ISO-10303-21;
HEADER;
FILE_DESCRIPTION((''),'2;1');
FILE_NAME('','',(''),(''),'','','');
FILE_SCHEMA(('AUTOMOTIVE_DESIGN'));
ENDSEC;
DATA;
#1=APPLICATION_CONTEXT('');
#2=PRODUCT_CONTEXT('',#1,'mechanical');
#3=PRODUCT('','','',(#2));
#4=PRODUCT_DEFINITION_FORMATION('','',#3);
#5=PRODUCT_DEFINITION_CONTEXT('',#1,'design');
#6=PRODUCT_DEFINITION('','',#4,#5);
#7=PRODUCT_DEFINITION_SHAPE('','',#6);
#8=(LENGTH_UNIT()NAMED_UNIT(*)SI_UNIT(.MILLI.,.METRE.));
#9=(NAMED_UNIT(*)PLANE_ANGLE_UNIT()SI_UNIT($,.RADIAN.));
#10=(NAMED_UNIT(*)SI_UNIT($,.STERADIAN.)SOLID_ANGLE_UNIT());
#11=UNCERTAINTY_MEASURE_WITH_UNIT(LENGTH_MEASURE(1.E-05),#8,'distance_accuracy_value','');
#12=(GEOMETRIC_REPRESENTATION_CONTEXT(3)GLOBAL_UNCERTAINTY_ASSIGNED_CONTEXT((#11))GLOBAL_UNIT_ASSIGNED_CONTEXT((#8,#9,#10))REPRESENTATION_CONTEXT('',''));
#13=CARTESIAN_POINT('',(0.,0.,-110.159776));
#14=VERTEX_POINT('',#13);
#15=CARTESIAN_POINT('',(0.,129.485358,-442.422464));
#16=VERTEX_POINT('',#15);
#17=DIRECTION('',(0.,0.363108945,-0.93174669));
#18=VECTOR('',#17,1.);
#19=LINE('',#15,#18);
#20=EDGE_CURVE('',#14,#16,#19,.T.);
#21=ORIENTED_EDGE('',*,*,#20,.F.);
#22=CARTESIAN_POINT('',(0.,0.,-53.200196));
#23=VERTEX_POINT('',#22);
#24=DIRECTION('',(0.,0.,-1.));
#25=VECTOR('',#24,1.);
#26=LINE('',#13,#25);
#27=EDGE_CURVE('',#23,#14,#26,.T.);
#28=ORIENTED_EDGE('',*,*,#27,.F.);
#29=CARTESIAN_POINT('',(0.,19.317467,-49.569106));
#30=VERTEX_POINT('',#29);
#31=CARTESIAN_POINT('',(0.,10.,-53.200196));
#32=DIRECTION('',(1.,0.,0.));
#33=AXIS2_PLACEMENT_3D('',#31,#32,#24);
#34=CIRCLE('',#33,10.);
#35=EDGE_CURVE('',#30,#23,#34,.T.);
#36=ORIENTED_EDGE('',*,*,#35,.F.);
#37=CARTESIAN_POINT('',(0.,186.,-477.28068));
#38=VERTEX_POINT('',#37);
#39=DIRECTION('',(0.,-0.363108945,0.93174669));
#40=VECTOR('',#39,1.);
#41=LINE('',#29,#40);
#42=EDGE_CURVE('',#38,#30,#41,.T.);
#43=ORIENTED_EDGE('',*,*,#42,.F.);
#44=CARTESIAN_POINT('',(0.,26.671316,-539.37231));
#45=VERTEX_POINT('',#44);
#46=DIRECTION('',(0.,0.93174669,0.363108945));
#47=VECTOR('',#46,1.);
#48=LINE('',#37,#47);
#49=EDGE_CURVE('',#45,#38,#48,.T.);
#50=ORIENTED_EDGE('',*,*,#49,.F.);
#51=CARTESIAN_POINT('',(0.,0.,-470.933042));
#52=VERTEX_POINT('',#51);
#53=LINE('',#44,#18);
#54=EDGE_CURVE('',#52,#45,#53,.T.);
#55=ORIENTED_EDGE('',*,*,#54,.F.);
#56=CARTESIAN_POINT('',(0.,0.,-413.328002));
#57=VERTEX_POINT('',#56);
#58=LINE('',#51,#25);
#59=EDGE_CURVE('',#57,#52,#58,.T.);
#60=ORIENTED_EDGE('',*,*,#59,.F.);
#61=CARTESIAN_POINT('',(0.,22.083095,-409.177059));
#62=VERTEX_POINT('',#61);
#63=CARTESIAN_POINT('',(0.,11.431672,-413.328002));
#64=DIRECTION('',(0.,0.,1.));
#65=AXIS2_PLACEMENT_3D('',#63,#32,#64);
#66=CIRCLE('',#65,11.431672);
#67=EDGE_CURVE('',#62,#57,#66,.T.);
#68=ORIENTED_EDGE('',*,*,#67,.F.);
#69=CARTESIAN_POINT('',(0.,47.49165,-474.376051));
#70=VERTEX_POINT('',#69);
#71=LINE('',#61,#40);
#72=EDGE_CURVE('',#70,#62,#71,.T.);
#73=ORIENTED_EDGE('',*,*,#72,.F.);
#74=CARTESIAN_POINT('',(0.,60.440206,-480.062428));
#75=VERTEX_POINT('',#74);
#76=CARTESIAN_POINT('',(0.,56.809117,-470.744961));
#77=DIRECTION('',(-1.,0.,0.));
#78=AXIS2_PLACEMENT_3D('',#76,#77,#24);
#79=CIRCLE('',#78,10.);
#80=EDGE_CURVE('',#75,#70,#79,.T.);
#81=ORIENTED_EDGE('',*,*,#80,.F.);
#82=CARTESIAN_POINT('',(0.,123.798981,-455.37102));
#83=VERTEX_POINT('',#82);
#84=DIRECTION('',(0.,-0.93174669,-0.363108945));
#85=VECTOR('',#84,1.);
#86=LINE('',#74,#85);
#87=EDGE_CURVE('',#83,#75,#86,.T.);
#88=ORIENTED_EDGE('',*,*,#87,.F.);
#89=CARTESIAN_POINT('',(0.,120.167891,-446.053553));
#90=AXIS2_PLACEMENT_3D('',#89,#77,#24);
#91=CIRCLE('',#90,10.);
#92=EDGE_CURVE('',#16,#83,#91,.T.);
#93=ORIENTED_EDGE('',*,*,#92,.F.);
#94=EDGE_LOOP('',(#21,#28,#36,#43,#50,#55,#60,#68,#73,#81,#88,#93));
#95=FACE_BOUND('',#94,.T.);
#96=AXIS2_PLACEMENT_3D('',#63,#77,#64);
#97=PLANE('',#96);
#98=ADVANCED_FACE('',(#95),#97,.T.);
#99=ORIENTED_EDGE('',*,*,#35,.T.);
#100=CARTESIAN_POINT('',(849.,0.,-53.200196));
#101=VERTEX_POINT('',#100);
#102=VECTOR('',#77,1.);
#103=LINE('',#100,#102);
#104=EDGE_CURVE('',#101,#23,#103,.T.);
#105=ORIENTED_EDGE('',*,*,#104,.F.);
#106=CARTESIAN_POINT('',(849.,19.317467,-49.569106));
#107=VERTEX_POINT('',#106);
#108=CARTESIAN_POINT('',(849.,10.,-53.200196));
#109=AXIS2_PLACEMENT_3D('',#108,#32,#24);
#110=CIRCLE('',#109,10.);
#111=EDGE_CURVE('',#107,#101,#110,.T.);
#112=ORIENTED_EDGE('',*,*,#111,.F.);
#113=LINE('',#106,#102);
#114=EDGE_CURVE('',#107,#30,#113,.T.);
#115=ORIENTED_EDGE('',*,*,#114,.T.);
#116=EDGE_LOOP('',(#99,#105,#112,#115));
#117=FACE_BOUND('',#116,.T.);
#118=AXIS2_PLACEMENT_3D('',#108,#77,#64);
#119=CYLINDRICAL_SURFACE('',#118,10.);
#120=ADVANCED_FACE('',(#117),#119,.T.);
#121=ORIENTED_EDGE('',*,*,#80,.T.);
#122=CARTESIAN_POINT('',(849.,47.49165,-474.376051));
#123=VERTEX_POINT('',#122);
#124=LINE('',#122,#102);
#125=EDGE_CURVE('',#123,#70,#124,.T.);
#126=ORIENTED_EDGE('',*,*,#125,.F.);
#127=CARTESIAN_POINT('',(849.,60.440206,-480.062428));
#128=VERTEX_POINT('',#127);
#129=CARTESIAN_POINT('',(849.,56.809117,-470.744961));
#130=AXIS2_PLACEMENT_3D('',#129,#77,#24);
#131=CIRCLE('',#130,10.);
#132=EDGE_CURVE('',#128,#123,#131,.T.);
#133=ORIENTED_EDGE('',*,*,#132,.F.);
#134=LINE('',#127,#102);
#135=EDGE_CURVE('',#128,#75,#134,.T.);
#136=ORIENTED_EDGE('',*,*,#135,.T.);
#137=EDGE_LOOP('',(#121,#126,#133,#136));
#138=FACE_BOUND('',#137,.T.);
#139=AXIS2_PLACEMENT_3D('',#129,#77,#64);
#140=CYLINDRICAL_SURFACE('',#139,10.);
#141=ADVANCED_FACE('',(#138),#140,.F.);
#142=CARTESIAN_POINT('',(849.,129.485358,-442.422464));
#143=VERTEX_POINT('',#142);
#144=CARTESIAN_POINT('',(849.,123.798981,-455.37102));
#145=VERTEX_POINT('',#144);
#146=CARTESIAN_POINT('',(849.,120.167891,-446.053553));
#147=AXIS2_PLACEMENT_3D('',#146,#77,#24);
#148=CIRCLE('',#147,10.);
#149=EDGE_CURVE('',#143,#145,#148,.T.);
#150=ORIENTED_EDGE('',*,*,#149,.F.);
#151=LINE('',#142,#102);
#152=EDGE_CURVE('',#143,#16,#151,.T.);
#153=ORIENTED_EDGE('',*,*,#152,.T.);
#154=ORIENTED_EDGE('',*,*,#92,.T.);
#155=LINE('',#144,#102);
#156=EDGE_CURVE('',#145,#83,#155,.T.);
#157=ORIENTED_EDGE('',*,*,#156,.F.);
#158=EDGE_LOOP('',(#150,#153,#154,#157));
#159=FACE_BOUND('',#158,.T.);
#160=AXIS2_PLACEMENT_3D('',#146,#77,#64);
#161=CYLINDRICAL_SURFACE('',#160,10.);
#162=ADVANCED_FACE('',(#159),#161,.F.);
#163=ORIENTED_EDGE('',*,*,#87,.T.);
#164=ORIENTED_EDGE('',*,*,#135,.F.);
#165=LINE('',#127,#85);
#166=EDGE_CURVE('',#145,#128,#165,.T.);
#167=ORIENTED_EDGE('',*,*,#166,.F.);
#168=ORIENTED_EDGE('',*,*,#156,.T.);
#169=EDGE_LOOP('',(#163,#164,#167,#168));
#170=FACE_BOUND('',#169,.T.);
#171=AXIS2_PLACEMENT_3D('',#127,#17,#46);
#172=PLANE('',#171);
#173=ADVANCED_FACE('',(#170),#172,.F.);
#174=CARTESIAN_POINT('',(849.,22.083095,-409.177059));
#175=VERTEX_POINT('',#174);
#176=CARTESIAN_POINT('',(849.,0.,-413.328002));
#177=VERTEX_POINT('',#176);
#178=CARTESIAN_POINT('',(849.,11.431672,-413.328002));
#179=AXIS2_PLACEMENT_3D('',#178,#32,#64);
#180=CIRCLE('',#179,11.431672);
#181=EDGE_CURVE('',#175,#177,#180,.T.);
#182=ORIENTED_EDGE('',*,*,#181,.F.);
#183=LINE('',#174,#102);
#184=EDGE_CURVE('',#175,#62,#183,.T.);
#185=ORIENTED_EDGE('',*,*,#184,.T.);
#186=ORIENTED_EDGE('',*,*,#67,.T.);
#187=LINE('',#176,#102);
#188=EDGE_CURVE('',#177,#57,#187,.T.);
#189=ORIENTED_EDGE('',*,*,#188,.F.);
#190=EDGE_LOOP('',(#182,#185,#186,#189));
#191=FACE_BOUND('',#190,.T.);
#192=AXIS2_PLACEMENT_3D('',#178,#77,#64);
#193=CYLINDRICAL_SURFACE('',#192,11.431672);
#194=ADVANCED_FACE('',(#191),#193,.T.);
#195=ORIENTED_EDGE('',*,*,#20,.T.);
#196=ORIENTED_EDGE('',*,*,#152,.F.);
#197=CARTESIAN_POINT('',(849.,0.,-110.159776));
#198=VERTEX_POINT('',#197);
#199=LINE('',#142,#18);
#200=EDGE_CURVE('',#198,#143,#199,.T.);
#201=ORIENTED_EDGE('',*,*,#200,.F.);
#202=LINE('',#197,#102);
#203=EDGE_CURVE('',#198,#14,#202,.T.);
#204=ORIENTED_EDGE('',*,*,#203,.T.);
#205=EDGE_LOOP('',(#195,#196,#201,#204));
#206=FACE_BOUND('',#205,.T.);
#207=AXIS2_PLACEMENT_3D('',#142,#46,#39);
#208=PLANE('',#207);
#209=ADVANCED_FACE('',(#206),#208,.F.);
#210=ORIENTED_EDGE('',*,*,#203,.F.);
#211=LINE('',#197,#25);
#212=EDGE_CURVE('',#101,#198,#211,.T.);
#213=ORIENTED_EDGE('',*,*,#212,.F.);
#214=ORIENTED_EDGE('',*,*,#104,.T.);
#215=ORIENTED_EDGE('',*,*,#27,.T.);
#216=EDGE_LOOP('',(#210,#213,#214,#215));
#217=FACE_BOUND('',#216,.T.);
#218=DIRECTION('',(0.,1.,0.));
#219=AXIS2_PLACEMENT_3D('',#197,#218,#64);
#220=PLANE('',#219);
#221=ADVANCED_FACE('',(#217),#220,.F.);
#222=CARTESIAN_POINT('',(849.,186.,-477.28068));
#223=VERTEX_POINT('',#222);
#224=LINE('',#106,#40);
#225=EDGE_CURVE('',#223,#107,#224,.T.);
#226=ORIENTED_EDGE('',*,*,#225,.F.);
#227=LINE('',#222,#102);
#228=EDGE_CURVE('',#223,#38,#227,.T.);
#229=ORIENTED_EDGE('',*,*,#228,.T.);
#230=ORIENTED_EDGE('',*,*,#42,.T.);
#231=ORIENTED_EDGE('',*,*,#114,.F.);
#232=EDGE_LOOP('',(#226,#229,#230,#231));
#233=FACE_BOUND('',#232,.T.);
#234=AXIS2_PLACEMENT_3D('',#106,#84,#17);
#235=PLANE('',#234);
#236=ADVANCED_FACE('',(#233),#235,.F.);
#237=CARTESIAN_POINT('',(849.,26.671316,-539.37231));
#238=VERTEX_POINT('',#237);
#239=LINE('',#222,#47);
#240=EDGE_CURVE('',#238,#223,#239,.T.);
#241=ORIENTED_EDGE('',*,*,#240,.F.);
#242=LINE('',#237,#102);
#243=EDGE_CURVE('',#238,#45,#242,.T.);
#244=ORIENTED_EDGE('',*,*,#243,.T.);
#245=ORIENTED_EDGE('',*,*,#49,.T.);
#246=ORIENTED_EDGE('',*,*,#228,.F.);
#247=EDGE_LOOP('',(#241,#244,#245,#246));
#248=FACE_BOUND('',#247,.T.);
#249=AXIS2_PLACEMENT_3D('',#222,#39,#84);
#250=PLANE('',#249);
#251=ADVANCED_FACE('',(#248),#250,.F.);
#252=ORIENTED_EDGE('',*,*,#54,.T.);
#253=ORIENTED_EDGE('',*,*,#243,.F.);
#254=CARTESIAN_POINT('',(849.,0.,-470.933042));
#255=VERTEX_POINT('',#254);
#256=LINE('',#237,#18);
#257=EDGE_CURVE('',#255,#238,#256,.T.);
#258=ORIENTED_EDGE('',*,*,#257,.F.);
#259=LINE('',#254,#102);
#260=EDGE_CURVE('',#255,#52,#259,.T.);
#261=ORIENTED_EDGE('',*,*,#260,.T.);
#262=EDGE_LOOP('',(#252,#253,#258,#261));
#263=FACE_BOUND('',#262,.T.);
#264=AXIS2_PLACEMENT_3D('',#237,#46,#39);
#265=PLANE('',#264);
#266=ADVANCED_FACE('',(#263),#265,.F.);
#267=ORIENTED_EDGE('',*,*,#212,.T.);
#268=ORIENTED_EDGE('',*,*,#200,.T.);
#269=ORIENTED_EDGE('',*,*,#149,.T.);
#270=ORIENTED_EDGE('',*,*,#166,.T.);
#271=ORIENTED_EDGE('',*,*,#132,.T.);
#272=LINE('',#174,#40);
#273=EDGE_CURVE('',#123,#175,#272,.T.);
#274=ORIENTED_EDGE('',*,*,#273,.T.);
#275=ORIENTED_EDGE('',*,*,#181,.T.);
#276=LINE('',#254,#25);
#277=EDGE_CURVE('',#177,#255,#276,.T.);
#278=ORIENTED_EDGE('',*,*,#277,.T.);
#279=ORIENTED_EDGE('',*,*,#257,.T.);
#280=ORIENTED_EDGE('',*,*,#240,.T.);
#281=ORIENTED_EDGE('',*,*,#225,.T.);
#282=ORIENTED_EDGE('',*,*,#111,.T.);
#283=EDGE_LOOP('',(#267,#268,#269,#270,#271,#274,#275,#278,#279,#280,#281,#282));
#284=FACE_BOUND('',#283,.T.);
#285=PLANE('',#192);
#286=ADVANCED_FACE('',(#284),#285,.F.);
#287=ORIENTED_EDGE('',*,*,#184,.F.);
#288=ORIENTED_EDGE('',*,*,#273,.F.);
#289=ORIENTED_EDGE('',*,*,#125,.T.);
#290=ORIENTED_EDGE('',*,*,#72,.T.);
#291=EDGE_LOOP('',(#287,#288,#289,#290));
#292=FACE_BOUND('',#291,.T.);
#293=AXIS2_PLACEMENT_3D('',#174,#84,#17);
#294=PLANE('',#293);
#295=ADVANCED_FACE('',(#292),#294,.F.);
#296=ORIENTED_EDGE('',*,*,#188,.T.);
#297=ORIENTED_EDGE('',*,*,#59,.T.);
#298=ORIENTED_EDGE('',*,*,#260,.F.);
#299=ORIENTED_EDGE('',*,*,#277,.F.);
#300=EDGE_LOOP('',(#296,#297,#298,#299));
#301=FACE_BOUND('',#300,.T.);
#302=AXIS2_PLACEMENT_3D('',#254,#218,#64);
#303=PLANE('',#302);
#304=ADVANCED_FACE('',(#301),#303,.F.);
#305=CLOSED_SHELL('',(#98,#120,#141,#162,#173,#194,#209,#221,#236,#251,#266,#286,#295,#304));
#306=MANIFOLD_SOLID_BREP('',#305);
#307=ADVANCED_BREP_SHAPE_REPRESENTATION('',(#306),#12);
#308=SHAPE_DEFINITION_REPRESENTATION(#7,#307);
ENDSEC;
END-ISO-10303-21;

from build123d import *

# Parameters (mm, degrees)
AUFSATZ_LINEAR_AUSTRAGEN1_DEPTH = 849


with BuildPart() as part:
    # Skizze1 → Aufsatz-Linear austragen1 (new body)
    with BuildSketch(Plane(origin=(0, 0, 0), x_dir=(0, 0, -1), z_dir=(1, 0, 0))):
        with BuildLine():
            Line((49.569106164, 19.317466899), (477.280680476, 186))
            Line((477.280680476, 186), (539.372310058, 26.671316029))
            Line((539.372310058, 26.671316029), (470.933041974, 0))
            Line((470.933041974, 0), (413.328001817, 0))
            ThreePointArc((413.328001817, 0), (402.093085354, 9.319853414), (409.17705944, 22.083094646))
            Line((409.17705944, 22.083094646), (474.376050862, 47.491649613))
            ThreePointArc((474.376050862, 47.491649613), (479.900973413, 52.788240457), (480.062428312, 60.440205962))
            Line((480.062428312, 60.440205962), (455.371020057, 123.798980874))
            ThreePointArc((455.371020057, 123.798980874), (450.074429213, 129.323903425), (442.422463709, 129.485358324))
            Line((442.422463709, 129.485358324), (110.1597759, 0))
            Line((110.1597759, 0), (53.200195614, 0))
            ThreePointArc((53.200195614, 0), (43.372310058, 8.152659884), (49.569106164, 19.317466899))
        make_face()
    extrude(amount=AUFSATZ_LINEAR_AUSTRAGEN1_DEPTH)


solid = part.part
